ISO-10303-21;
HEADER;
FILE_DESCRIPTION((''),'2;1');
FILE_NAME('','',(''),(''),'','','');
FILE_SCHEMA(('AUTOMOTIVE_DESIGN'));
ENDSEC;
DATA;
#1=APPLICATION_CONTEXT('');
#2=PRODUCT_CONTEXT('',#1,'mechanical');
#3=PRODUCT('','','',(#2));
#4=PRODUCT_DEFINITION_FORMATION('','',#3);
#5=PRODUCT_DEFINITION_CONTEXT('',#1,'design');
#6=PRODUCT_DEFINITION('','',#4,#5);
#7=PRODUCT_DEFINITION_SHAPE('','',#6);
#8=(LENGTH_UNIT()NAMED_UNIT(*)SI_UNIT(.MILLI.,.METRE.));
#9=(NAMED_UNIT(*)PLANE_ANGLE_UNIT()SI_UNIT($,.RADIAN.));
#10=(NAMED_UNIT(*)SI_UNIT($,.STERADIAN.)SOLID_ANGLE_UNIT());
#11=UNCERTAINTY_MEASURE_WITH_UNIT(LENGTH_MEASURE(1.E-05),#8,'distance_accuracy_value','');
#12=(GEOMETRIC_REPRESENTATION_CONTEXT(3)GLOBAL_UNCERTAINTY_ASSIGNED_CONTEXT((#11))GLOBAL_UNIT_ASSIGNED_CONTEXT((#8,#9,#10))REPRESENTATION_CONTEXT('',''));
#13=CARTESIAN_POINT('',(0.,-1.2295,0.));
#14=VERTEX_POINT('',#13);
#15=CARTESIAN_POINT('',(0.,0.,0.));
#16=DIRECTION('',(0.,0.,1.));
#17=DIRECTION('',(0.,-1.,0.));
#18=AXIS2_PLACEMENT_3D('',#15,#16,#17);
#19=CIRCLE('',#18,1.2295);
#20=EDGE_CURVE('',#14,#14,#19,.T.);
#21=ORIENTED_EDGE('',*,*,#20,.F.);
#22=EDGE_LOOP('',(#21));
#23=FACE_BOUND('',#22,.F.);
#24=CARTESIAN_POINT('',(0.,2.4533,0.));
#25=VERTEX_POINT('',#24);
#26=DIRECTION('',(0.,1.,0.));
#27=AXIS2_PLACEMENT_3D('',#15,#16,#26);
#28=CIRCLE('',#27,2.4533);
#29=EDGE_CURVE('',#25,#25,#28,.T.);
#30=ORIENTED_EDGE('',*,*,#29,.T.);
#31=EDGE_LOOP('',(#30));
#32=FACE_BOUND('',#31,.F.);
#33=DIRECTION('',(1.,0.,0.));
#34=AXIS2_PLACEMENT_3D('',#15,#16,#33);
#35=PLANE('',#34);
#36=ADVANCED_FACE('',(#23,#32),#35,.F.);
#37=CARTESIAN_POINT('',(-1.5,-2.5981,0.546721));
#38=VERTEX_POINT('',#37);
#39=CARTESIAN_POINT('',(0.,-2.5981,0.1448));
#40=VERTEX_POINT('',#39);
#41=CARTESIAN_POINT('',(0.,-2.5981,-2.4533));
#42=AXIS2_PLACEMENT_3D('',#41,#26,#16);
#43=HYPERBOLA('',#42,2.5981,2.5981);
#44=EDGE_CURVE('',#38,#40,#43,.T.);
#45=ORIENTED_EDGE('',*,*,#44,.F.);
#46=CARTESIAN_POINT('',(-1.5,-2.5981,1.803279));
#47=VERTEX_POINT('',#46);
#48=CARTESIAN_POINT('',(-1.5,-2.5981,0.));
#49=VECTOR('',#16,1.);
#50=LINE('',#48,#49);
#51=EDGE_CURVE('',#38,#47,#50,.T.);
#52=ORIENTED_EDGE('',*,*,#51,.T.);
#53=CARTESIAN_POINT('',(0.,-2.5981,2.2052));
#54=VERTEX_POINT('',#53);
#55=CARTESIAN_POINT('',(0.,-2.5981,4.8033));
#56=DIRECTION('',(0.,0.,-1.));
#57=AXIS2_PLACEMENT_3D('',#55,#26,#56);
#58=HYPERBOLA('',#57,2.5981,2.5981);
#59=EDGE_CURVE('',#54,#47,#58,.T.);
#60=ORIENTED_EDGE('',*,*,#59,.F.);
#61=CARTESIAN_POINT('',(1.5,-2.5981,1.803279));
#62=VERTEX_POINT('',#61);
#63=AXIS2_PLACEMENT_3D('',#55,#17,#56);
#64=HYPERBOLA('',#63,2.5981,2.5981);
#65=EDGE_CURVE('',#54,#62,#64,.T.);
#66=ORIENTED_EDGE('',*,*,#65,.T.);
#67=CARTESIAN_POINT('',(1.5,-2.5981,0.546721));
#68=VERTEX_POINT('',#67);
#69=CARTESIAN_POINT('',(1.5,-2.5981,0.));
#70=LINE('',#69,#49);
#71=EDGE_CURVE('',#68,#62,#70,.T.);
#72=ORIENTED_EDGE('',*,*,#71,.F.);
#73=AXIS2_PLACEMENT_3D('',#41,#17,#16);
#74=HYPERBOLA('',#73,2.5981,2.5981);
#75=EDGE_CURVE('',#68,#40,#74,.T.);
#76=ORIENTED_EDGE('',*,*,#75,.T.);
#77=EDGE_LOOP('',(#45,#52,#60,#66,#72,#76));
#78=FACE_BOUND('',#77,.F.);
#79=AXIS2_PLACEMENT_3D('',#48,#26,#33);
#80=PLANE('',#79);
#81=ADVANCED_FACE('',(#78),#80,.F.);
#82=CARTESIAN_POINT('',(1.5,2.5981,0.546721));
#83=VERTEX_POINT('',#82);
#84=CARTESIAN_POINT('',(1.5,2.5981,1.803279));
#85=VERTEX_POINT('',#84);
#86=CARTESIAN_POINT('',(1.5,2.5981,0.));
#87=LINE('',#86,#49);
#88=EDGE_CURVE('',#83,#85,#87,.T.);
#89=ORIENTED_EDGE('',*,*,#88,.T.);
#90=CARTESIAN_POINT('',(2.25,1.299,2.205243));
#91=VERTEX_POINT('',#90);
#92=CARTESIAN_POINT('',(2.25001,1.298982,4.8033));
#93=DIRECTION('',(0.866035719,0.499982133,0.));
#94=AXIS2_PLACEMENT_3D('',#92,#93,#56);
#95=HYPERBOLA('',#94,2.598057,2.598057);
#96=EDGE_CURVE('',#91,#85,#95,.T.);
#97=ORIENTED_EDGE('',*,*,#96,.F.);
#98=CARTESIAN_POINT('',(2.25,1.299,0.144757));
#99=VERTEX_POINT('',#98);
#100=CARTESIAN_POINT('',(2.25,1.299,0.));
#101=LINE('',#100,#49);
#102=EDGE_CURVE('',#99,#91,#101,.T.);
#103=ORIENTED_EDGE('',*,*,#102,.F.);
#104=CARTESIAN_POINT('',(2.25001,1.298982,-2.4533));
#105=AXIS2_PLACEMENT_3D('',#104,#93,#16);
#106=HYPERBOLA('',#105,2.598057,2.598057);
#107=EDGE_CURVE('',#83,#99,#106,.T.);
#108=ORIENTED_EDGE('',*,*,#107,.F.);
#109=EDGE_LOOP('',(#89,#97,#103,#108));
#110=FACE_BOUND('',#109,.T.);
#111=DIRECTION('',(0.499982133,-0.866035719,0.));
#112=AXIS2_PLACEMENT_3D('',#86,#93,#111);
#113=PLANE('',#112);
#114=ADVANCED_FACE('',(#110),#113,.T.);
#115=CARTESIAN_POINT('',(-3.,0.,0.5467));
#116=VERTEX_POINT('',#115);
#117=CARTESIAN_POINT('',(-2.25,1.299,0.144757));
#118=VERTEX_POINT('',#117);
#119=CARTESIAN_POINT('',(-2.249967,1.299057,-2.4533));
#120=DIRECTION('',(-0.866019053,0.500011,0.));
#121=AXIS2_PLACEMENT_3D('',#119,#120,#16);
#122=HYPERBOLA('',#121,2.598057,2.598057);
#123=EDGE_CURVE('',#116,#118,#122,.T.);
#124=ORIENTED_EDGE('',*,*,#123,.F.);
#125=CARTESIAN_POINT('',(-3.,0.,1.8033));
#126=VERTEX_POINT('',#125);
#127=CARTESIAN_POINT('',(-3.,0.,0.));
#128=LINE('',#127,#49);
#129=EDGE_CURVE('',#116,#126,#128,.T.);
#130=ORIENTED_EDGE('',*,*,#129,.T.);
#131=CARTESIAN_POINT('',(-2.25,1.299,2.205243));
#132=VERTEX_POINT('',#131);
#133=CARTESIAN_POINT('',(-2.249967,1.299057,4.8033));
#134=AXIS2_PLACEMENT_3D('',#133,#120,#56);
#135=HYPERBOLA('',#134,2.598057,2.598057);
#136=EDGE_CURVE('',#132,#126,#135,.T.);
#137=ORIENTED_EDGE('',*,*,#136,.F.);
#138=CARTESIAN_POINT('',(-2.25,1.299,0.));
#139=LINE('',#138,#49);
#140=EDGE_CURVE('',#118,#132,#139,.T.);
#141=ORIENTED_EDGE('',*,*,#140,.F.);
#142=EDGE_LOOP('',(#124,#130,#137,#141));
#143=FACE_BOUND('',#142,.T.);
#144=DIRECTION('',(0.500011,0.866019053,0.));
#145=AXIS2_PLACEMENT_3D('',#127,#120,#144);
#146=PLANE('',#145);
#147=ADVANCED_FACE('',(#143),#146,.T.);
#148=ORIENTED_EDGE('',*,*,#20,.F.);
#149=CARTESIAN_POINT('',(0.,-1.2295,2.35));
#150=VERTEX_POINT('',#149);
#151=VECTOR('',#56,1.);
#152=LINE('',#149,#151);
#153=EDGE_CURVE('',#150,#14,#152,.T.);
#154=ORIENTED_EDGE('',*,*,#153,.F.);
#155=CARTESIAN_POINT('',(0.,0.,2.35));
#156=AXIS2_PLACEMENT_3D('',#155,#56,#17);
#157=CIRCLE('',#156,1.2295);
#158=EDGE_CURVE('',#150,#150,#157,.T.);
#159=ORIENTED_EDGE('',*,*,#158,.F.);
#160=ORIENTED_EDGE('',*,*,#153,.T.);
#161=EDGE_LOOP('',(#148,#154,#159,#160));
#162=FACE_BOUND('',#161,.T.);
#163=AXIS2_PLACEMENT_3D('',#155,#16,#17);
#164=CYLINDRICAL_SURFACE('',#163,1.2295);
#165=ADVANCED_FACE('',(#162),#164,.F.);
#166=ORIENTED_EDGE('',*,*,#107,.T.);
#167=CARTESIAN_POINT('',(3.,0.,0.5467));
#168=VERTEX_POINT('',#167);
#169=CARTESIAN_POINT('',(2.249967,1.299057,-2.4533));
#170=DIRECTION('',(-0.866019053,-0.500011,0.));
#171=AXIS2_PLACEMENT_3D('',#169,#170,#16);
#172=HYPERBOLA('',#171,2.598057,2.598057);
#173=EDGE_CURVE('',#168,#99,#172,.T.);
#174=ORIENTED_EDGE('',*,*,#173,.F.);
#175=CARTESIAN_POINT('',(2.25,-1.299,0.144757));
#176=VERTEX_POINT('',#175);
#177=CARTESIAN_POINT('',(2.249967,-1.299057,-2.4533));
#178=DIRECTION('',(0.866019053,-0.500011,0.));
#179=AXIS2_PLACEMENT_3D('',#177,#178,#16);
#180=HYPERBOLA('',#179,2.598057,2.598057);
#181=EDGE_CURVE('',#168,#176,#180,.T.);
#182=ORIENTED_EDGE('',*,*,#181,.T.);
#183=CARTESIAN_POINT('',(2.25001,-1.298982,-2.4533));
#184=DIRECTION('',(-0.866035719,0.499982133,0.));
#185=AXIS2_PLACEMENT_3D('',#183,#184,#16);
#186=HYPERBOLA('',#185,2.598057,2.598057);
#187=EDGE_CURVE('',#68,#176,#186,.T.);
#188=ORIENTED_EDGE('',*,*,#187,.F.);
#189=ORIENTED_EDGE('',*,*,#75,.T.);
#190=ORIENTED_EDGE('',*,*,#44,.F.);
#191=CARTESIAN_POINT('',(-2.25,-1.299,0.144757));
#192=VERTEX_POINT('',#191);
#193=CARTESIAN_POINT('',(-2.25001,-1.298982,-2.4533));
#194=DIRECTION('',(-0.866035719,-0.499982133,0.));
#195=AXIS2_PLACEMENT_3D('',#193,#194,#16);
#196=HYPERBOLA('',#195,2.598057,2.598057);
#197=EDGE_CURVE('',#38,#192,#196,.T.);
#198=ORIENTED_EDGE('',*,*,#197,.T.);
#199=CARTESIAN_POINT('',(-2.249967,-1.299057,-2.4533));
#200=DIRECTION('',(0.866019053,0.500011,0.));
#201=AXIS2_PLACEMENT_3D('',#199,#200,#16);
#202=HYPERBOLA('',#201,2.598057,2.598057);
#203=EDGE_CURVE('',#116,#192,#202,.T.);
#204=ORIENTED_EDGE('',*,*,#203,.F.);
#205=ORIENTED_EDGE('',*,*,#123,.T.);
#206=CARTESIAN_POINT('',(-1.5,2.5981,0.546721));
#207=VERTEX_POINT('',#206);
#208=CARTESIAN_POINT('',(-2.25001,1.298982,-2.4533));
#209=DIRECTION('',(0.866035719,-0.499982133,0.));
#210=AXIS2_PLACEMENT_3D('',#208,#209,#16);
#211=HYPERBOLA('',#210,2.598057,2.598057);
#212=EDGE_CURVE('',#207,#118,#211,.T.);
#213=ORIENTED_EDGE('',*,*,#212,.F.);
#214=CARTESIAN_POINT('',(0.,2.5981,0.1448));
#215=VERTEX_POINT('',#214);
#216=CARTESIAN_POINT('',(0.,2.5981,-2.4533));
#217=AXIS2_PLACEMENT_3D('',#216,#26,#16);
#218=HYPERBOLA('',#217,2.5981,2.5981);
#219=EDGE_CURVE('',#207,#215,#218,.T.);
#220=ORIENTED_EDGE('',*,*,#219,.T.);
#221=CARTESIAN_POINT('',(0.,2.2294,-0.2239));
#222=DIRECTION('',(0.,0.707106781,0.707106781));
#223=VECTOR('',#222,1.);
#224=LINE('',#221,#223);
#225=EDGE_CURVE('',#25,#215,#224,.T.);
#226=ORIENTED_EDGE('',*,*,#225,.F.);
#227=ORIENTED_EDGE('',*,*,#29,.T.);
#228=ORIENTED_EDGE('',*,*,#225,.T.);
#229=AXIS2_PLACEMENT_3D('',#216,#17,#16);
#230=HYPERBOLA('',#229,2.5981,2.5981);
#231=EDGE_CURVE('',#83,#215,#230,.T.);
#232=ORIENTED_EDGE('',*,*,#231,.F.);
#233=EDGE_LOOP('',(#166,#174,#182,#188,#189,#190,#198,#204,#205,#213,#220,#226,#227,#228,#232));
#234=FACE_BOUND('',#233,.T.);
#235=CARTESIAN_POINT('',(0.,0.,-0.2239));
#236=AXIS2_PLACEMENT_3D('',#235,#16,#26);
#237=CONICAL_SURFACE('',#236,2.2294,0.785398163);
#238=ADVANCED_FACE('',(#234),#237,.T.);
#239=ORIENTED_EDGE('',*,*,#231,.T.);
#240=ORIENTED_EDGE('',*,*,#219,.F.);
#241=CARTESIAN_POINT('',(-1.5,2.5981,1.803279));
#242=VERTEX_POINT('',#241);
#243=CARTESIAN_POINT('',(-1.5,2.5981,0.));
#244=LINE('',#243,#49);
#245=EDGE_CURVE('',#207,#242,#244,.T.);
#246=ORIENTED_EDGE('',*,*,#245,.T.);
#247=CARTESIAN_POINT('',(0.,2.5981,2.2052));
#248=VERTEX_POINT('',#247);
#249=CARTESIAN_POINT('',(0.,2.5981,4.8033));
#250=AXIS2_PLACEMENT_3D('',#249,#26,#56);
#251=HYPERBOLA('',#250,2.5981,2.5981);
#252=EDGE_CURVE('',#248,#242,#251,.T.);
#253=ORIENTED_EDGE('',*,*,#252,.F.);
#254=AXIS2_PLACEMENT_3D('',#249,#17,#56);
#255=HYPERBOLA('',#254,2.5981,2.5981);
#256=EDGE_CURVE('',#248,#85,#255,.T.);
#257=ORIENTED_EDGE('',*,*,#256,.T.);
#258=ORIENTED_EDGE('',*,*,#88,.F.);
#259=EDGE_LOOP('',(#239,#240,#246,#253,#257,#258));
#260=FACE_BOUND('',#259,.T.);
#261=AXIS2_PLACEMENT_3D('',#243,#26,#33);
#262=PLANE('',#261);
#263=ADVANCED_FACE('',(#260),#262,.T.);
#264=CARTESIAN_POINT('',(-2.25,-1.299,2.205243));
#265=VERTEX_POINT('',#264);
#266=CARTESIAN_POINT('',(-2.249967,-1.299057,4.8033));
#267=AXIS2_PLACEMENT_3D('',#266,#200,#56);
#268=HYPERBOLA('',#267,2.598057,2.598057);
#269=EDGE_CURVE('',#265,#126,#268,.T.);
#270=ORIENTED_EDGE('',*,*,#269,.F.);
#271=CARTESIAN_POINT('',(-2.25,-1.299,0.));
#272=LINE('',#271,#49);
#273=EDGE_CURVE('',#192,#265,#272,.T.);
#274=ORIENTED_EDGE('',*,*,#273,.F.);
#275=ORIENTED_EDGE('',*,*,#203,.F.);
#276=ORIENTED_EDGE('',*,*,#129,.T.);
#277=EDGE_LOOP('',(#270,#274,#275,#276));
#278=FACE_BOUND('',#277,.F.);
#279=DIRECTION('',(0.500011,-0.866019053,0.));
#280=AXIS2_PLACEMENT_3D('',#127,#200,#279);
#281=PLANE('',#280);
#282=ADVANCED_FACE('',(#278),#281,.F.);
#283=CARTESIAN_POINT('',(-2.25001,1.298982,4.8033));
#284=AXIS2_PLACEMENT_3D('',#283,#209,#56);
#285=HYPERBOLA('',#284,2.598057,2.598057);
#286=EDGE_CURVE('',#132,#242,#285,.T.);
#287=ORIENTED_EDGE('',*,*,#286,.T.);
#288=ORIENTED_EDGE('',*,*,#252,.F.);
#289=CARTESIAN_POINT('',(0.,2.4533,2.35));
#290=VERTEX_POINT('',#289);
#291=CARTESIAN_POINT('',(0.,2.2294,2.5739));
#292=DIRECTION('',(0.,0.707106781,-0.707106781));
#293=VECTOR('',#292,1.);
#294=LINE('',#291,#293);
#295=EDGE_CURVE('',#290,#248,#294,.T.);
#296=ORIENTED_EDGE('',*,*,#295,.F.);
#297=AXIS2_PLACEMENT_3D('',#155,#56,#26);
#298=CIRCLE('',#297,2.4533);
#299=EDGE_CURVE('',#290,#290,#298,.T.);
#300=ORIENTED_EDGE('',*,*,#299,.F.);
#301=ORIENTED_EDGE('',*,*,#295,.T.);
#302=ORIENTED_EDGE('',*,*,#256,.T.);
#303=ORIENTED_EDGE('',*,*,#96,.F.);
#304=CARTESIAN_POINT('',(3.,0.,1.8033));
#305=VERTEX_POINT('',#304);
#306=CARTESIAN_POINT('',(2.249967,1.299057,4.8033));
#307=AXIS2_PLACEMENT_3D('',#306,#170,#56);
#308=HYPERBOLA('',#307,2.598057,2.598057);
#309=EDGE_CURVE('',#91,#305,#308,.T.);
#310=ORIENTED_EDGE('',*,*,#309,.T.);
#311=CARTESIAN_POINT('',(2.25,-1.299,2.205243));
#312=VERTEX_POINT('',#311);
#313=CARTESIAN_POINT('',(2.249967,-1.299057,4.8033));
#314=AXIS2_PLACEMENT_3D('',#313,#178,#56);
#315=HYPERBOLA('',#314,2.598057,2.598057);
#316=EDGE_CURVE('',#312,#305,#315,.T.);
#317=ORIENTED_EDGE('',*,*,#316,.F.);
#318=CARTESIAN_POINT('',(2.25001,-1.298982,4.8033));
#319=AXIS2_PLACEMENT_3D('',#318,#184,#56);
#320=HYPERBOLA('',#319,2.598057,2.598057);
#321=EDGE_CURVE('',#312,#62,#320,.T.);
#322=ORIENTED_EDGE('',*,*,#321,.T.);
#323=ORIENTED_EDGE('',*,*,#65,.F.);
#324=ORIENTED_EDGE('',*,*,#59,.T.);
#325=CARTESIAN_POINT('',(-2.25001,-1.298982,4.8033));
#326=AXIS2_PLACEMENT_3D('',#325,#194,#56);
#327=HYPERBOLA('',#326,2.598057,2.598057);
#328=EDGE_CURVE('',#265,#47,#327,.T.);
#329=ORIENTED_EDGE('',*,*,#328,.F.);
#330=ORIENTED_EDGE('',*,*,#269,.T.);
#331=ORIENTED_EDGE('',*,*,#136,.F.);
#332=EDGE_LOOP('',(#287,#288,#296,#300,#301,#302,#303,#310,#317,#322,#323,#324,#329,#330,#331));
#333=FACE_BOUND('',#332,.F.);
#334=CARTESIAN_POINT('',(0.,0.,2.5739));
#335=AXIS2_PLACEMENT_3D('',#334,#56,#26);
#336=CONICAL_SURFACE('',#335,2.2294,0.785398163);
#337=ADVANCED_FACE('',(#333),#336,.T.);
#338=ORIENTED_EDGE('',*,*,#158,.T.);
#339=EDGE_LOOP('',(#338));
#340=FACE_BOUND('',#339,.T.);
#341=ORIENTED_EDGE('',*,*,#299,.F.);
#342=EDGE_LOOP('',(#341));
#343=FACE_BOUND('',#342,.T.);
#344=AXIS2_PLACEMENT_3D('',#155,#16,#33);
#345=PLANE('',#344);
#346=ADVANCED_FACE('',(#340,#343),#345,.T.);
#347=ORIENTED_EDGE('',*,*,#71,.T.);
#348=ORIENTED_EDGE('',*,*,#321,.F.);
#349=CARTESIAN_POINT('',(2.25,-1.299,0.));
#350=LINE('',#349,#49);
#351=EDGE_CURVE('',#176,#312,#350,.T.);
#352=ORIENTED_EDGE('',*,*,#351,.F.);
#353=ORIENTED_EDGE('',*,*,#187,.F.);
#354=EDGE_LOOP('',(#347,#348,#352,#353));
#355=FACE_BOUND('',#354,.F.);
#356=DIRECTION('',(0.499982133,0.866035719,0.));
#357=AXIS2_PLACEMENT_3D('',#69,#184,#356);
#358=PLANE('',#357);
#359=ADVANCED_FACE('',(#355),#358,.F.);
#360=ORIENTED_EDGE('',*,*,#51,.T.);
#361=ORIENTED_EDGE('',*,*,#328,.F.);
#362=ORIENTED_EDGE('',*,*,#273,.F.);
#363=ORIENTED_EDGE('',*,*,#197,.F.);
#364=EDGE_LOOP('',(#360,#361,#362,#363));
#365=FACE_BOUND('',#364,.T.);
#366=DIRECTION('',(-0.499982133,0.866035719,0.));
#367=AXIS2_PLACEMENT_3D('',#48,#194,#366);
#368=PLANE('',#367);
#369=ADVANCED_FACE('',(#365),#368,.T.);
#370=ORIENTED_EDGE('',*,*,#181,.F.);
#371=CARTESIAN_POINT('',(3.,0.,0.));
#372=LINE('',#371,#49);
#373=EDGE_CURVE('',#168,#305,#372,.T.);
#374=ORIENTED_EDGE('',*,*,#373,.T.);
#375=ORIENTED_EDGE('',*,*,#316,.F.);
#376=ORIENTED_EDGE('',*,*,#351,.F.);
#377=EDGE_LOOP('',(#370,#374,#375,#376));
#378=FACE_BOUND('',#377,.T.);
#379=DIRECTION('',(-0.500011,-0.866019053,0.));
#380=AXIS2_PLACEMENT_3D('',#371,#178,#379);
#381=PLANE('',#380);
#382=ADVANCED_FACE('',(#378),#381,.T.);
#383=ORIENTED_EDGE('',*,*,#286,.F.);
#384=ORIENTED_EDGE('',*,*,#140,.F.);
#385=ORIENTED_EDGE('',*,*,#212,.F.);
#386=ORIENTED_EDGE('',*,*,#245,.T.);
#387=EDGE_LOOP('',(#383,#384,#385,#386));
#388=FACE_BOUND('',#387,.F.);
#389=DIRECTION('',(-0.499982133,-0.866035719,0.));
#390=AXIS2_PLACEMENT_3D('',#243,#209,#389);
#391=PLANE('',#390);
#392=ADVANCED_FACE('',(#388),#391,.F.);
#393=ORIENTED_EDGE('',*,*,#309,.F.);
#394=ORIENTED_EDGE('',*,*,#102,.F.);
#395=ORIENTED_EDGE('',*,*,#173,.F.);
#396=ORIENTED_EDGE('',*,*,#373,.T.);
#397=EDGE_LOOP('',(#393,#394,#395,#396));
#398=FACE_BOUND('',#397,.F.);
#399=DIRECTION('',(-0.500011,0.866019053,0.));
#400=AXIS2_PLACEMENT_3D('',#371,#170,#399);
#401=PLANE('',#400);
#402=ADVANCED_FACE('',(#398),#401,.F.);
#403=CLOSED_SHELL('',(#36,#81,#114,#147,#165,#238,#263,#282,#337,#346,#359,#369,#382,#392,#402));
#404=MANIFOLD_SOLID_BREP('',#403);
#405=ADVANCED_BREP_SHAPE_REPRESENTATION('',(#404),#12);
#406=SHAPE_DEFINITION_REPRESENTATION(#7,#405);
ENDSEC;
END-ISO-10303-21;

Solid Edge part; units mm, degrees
sketch "Sketch1" plane through (0, 0, 0) normal (0, 0, 1) x (1, 0, 0)
  line L0 (-1.5, -2.5981) -> (0, -2.5981)
  line L1 (1.5, -2.5981) -> (0, -2.5981)
  line L2 (1.5, -2.5981) -> (2.25, -1.299)
  line L3 (3, 0) -> (2.25, -1.299)
  line L4 (3, 0) -> (2.25, 1.299)
  line L5 (1.5, 2.5981) -> (2.25, 1.299)
  line L6 (1.5, 2.5981) -> (0, 2.5981)
  line L7 (-1.5, 2.5981) -> (0, 2.5981)
  line L8 (-1.5, 2.5981) -> (-2.25, 1.299)
  line L9 (-3, 0) -> (-2.25, 1.299)
  line L10 (-3, 0) -> (-2.25, -1.299)
  line L11 (-1.5, -2.5981) -> (-2.25, -1.299)
extrude "Protrusion1" add sketch "Sketch1" along normal blind 2.35
sketch "Sketch2" plane through (0, 0, 0) normal (1, 0, 0) x (0, 1, 0)
  line L0 (2.2294, 2.5739) -> (3.6283, 1.175)
  line L1 (2.2294, -0.2239) -> (3.6283, 1.175)
revolve "RevolvedCutout1" cut sketch "Sketch2" angle 360 about axis through (0, 0, -57) along (0, 0, 1) material side at (0, 2.9642, 1.9098)
hole "Hole_1" at (0, 0, 2.35) direction (0, 0, -1) diameter 2.459 end up to next thread major 3 thread length 2
properties material "Stainless steel"
